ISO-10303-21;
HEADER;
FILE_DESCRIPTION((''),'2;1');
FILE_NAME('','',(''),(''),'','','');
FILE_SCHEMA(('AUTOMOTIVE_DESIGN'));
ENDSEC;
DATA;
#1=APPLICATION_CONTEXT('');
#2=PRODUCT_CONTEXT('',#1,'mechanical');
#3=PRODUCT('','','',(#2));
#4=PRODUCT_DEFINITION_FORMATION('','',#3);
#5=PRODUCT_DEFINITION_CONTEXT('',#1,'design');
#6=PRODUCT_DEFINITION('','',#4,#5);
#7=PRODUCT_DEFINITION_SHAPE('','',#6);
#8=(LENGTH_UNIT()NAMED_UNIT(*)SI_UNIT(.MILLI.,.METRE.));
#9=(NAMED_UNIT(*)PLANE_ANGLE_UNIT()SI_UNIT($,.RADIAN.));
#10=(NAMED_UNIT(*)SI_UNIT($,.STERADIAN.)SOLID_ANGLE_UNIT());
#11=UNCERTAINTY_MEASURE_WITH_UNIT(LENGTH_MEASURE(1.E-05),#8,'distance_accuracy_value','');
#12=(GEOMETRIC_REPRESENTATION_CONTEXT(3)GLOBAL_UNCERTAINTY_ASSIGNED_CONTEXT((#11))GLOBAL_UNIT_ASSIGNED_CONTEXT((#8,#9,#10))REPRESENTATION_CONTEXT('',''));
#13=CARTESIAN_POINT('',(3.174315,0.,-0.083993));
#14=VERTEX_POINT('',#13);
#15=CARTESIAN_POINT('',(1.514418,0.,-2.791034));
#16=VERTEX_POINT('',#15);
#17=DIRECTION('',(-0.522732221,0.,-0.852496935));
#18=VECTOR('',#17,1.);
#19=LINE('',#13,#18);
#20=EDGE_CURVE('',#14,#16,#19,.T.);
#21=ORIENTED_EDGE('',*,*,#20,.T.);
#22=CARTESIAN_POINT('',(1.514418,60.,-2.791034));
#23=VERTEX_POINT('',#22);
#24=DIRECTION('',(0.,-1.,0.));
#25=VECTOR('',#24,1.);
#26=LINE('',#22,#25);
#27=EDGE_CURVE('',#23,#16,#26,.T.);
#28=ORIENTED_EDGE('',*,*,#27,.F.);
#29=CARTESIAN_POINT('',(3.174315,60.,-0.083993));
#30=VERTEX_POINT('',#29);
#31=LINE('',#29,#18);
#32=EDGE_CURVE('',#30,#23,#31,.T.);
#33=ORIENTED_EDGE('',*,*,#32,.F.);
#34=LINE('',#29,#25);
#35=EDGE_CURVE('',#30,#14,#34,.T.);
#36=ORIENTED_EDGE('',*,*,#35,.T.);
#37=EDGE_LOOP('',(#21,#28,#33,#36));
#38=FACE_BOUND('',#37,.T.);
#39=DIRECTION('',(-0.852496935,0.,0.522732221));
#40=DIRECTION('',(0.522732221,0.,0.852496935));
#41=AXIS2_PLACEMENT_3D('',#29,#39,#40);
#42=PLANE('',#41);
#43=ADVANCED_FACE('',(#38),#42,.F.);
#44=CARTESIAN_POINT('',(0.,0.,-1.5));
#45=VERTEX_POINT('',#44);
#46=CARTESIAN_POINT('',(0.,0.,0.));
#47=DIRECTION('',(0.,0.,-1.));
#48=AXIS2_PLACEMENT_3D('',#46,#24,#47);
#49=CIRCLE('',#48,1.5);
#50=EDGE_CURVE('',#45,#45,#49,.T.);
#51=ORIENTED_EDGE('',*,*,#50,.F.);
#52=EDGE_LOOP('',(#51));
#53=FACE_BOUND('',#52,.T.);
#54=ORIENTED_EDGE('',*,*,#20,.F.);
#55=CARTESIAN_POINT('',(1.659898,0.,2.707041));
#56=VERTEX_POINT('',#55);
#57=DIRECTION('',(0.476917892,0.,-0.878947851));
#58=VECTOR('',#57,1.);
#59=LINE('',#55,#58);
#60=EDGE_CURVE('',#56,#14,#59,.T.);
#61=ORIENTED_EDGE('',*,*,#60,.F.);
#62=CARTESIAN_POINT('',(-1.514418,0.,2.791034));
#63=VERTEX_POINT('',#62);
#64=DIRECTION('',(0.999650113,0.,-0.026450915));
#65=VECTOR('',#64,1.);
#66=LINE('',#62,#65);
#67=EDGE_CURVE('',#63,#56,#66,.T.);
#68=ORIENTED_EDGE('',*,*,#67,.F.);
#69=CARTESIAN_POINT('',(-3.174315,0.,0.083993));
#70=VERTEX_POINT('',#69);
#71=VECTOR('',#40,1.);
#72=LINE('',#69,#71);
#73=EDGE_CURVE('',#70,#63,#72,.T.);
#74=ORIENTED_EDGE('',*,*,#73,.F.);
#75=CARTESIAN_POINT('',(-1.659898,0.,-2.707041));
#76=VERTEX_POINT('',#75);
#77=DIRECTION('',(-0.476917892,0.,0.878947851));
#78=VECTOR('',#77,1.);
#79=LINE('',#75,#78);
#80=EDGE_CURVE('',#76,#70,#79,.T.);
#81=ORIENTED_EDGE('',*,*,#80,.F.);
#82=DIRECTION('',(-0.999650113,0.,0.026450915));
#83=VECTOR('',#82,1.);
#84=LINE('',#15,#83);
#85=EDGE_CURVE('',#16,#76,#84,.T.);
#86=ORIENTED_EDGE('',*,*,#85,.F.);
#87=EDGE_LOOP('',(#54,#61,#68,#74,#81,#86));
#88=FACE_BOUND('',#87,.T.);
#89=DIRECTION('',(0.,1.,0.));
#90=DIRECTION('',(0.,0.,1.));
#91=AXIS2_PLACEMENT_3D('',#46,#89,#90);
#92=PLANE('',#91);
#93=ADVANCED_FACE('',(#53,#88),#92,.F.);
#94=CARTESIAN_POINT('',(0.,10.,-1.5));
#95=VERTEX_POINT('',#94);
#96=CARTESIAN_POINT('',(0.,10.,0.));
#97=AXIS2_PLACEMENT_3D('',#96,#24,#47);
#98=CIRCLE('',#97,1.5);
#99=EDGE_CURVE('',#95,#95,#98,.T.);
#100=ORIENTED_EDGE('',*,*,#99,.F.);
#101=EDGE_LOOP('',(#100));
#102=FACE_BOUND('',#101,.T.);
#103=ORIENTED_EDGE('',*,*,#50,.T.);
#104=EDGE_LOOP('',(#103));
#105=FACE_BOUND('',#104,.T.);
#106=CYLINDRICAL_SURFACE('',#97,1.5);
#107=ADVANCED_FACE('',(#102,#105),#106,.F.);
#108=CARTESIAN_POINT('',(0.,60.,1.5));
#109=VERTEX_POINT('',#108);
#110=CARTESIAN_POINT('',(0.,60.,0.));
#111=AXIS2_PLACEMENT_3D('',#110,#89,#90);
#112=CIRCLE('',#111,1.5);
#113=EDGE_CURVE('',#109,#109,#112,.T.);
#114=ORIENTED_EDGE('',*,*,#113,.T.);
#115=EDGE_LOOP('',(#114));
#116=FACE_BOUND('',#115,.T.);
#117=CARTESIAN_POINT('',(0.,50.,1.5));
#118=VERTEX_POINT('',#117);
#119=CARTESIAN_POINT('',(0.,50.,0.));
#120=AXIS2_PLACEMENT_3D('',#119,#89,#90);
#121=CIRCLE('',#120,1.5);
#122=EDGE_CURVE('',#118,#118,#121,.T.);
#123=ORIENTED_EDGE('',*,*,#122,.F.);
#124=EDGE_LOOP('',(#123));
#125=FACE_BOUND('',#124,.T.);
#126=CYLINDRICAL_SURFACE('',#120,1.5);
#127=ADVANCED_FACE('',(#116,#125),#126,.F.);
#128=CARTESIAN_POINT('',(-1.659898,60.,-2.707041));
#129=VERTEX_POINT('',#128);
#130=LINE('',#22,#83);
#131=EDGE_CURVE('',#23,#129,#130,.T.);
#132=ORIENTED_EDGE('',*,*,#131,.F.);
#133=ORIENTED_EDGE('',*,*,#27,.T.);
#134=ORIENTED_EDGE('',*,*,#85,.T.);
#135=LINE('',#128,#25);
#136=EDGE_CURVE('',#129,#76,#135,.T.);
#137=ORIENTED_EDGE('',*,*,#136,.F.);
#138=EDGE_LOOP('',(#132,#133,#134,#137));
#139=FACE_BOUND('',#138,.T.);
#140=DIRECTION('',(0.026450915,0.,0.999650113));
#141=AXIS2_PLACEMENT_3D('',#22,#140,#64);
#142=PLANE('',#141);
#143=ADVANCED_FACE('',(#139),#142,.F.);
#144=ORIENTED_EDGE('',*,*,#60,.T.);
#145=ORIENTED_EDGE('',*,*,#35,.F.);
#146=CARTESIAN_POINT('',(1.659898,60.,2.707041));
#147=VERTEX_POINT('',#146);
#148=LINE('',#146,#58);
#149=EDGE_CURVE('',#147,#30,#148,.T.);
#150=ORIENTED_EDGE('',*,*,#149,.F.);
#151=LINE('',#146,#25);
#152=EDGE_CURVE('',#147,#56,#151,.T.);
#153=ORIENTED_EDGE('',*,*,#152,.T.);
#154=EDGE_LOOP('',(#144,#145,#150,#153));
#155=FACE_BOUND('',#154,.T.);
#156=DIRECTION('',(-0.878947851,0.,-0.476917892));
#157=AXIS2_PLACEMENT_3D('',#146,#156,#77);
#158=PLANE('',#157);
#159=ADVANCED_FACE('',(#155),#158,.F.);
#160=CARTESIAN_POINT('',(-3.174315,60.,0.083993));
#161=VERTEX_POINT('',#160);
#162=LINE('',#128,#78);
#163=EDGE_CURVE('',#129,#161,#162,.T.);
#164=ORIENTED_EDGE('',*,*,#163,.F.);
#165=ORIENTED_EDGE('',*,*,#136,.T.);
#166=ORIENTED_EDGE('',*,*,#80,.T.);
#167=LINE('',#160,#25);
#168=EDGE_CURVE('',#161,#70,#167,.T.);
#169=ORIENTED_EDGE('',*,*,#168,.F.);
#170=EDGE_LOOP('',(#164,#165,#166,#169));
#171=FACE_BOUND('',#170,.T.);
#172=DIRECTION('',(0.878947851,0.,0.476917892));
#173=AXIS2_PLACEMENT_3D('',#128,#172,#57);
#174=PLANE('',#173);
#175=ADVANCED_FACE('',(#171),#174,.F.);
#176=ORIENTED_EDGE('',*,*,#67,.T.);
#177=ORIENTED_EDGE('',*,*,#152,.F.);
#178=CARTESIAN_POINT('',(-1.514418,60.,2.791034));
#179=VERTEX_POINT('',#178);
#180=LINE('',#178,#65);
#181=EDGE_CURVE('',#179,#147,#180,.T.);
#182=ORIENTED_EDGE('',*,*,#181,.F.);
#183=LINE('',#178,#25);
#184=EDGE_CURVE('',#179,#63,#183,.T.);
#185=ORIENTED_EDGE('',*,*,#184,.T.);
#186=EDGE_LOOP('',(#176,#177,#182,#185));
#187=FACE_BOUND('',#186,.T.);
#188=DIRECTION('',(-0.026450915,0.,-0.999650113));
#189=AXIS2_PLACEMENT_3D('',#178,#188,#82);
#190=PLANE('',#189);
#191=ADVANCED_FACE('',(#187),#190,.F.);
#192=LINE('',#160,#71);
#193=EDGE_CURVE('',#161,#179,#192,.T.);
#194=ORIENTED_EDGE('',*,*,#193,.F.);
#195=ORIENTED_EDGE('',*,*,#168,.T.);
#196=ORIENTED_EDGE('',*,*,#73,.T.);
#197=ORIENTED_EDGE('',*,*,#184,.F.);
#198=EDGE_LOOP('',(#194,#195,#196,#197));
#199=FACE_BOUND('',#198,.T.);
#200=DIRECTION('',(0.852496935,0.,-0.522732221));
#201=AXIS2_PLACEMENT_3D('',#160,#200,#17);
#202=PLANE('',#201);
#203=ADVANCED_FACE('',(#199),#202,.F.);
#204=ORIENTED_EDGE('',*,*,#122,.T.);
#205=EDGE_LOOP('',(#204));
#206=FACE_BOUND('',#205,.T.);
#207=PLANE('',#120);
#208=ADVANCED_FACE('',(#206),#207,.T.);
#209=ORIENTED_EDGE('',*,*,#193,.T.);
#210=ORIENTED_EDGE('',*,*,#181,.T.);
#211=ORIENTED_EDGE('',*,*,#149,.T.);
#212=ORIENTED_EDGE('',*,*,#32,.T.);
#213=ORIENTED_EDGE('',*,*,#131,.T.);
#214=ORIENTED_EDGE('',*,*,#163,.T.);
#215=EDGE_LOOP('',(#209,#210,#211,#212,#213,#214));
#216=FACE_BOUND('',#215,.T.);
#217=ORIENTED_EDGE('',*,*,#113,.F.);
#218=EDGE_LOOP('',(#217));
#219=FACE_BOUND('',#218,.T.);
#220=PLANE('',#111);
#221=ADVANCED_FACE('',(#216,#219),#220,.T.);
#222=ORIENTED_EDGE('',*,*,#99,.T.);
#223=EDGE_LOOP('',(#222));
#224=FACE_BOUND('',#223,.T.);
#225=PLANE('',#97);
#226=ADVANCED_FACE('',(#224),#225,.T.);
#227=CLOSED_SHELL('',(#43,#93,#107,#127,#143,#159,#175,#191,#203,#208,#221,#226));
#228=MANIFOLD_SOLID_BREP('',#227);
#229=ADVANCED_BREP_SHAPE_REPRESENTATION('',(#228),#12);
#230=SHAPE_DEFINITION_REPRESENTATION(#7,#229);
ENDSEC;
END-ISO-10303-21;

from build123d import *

# Parameters (mm, degrees)
EXTRUDE_1_DEPTH     = 60
SKETCH_2_R          = 1.5
CUT_EXTRUDE_1_DEPTH = 10
SKETCH_3_R          = 1.5
CUT_EXTRUDE_2_DEPTH = 10


with BuildPart() as part:
    # Эскиз1 → Бобышка-Вытянуть1 (new body)
    with BuildSketch(Plane(origin=(0, 0, 0), x_dir=(1, 0, 0), z_dir=(0, 1, 0))):
        Polygon((-1.514417704, -2.79103428), (1.659897738, -2.707041343), (3.174315441, 0.083992937), (1.514417704, 2.79103428), (-1.659897738, 2.707041343), (-3.174315441, -0.083992937), align=None)
    extrude(amount=EXTRUDE_1_DEPTH)

    # Эскиз2 → Вырез-Вытянуть1 (cut)
    with BuildSketch(Plane(origin=(0, 60, 0), x_dir=(1, 0, 0), z_dir=(0, 1, 0))):
        Circle(SKETCH_2_R)
    extrude(amount=-CUT_EXTRUDE_1_DEPTH, mode=Mode.SUBTRACT)

    # Эскиз3 → Вырез-Вытянуть2 (cut)
    with BuildSketch(Plane.XZ):
        Circle(SKETCH_3_R)
    extrude(amount=-CUT_EXTRUDE_2_DEPTH, mode=Mode.SUBTRACT)


solid = part.part
